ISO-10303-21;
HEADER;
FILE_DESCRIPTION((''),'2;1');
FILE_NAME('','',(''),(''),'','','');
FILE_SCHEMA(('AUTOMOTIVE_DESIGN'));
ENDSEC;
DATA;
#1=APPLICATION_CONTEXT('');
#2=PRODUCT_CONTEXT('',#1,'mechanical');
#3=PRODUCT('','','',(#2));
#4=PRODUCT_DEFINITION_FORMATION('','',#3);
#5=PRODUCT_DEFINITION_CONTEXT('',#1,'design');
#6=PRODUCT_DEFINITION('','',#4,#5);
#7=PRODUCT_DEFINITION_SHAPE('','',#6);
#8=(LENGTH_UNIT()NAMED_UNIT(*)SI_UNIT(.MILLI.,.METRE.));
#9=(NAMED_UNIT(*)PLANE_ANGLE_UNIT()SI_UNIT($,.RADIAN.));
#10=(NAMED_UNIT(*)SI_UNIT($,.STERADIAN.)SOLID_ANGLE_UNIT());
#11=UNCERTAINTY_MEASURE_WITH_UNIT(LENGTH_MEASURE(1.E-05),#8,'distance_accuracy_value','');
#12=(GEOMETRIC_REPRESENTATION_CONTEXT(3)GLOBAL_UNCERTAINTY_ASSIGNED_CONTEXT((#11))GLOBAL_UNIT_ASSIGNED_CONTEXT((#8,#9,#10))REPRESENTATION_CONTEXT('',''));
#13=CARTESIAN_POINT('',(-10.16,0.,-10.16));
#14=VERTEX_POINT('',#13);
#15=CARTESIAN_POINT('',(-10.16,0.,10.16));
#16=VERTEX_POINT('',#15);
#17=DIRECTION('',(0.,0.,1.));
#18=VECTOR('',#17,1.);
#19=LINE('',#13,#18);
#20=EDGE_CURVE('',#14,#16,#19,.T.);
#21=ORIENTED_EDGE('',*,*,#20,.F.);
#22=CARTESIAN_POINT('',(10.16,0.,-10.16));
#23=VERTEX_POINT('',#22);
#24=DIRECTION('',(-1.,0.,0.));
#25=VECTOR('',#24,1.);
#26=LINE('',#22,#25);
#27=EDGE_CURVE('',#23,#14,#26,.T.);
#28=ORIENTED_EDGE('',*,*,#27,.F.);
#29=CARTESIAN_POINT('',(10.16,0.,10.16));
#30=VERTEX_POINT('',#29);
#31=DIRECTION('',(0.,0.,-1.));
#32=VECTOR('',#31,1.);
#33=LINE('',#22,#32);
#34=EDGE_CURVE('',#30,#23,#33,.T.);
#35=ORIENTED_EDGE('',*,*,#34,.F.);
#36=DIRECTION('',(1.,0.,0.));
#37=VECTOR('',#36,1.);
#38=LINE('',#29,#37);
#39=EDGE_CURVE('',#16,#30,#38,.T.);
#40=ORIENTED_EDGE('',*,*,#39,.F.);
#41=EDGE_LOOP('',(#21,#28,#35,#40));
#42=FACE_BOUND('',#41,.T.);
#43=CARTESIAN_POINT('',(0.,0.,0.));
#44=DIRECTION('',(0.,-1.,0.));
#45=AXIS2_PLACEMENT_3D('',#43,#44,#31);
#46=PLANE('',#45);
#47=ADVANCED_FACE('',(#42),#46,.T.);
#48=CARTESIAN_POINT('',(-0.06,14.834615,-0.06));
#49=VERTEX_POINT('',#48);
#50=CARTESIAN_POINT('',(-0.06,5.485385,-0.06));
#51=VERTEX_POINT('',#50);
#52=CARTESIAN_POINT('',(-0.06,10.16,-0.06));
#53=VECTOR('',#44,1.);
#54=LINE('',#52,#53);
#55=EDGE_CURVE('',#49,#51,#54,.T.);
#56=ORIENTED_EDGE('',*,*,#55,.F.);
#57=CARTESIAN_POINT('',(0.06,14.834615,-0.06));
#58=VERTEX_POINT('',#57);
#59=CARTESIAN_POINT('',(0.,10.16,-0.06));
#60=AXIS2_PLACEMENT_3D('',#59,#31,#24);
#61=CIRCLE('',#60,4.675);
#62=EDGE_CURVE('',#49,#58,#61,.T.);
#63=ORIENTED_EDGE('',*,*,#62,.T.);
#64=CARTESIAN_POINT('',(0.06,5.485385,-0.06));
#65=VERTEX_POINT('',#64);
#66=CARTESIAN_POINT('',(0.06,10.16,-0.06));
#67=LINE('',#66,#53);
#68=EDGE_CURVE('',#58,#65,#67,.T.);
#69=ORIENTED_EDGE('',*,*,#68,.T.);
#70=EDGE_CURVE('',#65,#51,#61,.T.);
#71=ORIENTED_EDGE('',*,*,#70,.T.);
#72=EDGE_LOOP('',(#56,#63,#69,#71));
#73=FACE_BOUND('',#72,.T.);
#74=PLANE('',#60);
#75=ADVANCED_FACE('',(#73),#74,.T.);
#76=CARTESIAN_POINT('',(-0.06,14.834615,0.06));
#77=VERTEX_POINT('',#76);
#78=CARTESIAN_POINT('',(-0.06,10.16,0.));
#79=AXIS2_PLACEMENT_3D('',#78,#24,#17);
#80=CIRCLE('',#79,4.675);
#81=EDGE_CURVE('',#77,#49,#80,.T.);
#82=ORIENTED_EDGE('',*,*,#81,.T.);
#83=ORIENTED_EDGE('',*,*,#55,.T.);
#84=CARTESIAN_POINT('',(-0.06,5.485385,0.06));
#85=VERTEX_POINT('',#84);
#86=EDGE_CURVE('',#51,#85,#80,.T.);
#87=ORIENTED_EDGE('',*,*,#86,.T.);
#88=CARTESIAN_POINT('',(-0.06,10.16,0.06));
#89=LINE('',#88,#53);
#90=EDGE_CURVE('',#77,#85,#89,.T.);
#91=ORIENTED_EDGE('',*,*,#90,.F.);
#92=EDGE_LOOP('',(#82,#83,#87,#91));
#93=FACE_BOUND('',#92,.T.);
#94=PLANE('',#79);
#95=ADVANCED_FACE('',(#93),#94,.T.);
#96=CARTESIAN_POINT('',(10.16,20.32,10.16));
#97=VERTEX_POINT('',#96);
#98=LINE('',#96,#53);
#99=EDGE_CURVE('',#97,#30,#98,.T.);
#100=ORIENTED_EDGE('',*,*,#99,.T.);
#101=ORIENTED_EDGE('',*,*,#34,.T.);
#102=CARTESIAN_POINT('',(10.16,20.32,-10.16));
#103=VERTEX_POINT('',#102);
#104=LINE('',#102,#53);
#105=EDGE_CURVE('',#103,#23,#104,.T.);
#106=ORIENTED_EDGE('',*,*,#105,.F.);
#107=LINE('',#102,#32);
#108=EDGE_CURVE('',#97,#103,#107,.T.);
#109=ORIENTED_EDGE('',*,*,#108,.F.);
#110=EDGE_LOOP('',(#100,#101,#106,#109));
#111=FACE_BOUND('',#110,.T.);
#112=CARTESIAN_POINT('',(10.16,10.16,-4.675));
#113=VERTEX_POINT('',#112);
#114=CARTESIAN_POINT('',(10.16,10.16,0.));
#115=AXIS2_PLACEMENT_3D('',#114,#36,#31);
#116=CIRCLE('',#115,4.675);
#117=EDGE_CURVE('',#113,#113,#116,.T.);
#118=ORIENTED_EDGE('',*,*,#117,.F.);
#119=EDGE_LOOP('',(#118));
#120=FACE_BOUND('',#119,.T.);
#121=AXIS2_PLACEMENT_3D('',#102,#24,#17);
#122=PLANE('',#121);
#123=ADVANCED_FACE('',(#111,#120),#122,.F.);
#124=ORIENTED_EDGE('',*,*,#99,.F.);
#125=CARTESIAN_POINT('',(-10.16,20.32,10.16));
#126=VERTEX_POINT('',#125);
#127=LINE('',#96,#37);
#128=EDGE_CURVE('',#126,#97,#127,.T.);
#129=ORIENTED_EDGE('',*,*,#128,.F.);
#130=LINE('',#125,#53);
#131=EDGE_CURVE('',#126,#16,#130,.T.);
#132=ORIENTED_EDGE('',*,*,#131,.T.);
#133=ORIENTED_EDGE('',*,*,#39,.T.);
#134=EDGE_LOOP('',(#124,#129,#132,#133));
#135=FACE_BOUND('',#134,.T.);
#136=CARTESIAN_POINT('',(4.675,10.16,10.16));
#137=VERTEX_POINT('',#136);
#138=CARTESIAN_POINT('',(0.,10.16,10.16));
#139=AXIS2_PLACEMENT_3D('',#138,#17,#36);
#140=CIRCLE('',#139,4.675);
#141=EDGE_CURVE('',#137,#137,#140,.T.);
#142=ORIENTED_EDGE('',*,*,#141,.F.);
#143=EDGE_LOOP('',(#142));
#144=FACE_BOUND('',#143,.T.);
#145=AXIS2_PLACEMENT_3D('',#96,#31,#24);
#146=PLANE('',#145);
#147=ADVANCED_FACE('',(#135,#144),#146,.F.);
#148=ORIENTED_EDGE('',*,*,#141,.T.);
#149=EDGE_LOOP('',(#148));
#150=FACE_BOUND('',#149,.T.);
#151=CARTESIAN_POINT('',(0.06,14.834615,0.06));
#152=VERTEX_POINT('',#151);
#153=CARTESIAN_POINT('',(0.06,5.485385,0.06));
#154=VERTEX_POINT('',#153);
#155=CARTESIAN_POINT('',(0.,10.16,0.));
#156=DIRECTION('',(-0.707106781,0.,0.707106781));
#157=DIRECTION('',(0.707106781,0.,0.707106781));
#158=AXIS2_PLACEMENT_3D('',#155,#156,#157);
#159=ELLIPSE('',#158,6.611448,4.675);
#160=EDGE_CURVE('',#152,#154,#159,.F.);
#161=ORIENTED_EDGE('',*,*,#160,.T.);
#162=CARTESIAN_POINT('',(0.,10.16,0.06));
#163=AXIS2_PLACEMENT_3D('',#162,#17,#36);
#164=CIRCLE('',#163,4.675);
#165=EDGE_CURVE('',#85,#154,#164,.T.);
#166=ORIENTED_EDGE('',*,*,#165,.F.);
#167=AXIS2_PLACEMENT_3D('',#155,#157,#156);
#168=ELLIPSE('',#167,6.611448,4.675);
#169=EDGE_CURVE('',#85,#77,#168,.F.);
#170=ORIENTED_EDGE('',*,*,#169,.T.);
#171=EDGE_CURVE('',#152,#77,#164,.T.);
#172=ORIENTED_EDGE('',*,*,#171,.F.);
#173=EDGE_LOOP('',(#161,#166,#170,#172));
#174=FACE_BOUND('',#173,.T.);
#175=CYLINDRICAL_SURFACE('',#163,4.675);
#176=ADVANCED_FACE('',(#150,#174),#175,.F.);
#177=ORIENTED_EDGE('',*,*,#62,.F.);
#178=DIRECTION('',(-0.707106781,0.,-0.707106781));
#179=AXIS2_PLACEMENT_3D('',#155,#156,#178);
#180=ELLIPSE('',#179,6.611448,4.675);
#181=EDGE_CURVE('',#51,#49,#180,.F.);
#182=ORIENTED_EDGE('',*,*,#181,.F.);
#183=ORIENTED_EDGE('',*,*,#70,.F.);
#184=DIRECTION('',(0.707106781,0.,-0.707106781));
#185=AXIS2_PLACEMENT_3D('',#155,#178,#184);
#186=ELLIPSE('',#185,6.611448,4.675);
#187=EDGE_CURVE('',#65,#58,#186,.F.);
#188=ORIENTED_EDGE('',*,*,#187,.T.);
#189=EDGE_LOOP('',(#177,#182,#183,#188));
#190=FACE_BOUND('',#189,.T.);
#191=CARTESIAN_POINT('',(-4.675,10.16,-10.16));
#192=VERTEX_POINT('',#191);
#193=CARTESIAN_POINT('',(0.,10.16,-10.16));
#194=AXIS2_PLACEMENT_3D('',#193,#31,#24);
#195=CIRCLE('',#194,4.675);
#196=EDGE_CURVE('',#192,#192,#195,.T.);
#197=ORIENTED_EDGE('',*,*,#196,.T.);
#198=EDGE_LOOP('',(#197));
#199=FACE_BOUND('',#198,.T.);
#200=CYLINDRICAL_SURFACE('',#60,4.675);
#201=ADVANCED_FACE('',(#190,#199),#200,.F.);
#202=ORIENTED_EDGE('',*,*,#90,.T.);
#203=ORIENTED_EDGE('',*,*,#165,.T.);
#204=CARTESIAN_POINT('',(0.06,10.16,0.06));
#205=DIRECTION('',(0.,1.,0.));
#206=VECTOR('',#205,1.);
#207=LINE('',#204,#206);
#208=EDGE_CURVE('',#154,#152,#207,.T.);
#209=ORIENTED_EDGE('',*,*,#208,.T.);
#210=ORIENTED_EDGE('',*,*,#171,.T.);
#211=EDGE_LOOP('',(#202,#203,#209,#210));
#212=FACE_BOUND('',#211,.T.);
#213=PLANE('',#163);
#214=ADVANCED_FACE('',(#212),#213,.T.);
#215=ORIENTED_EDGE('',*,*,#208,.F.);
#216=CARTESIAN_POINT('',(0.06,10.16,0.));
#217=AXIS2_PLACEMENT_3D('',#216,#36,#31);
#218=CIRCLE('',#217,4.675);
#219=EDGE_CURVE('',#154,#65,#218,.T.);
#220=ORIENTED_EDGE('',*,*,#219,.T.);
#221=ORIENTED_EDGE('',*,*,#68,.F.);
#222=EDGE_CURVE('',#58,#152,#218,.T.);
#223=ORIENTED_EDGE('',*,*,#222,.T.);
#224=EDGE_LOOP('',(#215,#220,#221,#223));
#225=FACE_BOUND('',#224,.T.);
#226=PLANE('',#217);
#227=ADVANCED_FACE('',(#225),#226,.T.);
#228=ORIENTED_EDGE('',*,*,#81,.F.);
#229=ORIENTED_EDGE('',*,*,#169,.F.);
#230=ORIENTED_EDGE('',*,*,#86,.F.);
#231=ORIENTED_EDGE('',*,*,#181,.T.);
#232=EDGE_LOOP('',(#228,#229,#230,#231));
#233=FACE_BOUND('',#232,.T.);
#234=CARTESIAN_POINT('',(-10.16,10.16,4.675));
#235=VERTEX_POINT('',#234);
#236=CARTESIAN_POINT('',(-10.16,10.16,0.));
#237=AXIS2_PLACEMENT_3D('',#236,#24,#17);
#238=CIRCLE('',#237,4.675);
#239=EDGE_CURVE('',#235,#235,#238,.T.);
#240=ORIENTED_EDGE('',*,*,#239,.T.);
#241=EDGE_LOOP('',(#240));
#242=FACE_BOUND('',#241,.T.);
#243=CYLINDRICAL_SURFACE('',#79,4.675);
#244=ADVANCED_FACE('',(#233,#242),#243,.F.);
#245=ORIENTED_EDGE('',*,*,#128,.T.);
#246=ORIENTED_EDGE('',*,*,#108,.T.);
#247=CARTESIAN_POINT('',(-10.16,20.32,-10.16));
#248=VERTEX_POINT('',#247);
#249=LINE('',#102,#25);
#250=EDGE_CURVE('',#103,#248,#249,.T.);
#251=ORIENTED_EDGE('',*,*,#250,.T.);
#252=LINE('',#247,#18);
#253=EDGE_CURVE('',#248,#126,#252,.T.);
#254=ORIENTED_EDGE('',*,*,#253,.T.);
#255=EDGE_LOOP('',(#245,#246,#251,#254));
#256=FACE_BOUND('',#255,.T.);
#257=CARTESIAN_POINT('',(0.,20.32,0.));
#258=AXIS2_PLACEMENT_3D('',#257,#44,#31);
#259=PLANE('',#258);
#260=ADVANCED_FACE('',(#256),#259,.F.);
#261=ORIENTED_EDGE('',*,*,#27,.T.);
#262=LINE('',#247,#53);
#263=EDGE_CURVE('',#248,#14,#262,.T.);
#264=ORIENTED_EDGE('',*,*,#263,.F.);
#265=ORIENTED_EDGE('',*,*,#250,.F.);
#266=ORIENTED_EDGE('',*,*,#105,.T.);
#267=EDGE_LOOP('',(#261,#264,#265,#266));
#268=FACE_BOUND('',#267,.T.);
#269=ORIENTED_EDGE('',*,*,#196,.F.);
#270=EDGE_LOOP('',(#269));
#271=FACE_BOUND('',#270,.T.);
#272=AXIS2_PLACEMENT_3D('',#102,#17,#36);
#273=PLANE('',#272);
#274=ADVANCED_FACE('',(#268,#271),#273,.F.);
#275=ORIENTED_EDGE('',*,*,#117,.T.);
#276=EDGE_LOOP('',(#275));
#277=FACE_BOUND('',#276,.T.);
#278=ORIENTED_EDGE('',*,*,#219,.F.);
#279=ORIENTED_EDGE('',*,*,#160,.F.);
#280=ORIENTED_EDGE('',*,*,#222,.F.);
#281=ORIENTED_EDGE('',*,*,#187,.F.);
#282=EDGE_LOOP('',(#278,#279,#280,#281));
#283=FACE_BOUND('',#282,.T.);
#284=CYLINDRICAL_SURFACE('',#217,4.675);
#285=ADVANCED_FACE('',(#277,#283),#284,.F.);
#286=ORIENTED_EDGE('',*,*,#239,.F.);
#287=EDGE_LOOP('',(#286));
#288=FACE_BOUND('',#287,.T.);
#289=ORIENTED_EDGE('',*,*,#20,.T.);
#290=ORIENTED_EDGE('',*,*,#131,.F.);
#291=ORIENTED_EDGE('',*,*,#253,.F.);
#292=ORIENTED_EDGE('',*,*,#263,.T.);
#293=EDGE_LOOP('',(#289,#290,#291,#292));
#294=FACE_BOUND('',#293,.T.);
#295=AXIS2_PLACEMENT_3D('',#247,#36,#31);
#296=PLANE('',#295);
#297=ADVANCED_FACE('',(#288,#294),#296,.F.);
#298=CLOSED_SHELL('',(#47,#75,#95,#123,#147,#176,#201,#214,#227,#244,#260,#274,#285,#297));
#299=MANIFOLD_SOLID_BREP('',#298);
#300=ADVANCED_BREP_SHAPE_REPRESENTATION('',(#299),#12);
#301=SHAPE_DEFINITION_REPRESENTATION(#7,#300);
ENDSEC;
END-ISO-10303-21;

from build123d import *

# Parameters (mm, degrees)
SKETCH1_W           = 20.32
SKETCH1_H           = 20.32
BOSS_EXTRUDE1_DEPTH = 20.32
SKETCH2_R           = 4.675
CUT_EXTRUDE1_DEPTH  = 10.1
CIRPATTERN1_COUNT   = 4


with BuildPart() as part:
    # Sketch1 → Boss-Extrude1 (new body)
    with BuildSketch(Plane(origin=(0, 0, 0), x_dir=(1, 0, 0), z_dir=(0, 1, 0))):
        Rectangle(SKETCH1_W, SKETCH1_H)
    extrude(amount=BOSS_EXTRUDE1_DEPTH)

    # Sketch2 → Cut-Extrude1 (cut)
    with BuildSketch(Plane.XY.offset(10.16)):
        with Locations((0, 10.16)):
            Circle(SKETCH2_R)
    cut_extrude1 = extrude(amount=-CUT_EXTRUDE1_DEPTH, mode=Mode.SUBTRACT)

    # CirPattern1: Cut-Extrude1 ×4 about axis
    cirpattern1_axis = Axis((0, 0, 0), (0, 1, 0))
    for i in range(1, CIRPATTERN1_COUNT):
        add(cut_extrude1.rotate(cirpattern1_axis, i * 360 / CIRPATTERN1_COUNT), mode=Mode.SUBTRACT)


solid = part.part
